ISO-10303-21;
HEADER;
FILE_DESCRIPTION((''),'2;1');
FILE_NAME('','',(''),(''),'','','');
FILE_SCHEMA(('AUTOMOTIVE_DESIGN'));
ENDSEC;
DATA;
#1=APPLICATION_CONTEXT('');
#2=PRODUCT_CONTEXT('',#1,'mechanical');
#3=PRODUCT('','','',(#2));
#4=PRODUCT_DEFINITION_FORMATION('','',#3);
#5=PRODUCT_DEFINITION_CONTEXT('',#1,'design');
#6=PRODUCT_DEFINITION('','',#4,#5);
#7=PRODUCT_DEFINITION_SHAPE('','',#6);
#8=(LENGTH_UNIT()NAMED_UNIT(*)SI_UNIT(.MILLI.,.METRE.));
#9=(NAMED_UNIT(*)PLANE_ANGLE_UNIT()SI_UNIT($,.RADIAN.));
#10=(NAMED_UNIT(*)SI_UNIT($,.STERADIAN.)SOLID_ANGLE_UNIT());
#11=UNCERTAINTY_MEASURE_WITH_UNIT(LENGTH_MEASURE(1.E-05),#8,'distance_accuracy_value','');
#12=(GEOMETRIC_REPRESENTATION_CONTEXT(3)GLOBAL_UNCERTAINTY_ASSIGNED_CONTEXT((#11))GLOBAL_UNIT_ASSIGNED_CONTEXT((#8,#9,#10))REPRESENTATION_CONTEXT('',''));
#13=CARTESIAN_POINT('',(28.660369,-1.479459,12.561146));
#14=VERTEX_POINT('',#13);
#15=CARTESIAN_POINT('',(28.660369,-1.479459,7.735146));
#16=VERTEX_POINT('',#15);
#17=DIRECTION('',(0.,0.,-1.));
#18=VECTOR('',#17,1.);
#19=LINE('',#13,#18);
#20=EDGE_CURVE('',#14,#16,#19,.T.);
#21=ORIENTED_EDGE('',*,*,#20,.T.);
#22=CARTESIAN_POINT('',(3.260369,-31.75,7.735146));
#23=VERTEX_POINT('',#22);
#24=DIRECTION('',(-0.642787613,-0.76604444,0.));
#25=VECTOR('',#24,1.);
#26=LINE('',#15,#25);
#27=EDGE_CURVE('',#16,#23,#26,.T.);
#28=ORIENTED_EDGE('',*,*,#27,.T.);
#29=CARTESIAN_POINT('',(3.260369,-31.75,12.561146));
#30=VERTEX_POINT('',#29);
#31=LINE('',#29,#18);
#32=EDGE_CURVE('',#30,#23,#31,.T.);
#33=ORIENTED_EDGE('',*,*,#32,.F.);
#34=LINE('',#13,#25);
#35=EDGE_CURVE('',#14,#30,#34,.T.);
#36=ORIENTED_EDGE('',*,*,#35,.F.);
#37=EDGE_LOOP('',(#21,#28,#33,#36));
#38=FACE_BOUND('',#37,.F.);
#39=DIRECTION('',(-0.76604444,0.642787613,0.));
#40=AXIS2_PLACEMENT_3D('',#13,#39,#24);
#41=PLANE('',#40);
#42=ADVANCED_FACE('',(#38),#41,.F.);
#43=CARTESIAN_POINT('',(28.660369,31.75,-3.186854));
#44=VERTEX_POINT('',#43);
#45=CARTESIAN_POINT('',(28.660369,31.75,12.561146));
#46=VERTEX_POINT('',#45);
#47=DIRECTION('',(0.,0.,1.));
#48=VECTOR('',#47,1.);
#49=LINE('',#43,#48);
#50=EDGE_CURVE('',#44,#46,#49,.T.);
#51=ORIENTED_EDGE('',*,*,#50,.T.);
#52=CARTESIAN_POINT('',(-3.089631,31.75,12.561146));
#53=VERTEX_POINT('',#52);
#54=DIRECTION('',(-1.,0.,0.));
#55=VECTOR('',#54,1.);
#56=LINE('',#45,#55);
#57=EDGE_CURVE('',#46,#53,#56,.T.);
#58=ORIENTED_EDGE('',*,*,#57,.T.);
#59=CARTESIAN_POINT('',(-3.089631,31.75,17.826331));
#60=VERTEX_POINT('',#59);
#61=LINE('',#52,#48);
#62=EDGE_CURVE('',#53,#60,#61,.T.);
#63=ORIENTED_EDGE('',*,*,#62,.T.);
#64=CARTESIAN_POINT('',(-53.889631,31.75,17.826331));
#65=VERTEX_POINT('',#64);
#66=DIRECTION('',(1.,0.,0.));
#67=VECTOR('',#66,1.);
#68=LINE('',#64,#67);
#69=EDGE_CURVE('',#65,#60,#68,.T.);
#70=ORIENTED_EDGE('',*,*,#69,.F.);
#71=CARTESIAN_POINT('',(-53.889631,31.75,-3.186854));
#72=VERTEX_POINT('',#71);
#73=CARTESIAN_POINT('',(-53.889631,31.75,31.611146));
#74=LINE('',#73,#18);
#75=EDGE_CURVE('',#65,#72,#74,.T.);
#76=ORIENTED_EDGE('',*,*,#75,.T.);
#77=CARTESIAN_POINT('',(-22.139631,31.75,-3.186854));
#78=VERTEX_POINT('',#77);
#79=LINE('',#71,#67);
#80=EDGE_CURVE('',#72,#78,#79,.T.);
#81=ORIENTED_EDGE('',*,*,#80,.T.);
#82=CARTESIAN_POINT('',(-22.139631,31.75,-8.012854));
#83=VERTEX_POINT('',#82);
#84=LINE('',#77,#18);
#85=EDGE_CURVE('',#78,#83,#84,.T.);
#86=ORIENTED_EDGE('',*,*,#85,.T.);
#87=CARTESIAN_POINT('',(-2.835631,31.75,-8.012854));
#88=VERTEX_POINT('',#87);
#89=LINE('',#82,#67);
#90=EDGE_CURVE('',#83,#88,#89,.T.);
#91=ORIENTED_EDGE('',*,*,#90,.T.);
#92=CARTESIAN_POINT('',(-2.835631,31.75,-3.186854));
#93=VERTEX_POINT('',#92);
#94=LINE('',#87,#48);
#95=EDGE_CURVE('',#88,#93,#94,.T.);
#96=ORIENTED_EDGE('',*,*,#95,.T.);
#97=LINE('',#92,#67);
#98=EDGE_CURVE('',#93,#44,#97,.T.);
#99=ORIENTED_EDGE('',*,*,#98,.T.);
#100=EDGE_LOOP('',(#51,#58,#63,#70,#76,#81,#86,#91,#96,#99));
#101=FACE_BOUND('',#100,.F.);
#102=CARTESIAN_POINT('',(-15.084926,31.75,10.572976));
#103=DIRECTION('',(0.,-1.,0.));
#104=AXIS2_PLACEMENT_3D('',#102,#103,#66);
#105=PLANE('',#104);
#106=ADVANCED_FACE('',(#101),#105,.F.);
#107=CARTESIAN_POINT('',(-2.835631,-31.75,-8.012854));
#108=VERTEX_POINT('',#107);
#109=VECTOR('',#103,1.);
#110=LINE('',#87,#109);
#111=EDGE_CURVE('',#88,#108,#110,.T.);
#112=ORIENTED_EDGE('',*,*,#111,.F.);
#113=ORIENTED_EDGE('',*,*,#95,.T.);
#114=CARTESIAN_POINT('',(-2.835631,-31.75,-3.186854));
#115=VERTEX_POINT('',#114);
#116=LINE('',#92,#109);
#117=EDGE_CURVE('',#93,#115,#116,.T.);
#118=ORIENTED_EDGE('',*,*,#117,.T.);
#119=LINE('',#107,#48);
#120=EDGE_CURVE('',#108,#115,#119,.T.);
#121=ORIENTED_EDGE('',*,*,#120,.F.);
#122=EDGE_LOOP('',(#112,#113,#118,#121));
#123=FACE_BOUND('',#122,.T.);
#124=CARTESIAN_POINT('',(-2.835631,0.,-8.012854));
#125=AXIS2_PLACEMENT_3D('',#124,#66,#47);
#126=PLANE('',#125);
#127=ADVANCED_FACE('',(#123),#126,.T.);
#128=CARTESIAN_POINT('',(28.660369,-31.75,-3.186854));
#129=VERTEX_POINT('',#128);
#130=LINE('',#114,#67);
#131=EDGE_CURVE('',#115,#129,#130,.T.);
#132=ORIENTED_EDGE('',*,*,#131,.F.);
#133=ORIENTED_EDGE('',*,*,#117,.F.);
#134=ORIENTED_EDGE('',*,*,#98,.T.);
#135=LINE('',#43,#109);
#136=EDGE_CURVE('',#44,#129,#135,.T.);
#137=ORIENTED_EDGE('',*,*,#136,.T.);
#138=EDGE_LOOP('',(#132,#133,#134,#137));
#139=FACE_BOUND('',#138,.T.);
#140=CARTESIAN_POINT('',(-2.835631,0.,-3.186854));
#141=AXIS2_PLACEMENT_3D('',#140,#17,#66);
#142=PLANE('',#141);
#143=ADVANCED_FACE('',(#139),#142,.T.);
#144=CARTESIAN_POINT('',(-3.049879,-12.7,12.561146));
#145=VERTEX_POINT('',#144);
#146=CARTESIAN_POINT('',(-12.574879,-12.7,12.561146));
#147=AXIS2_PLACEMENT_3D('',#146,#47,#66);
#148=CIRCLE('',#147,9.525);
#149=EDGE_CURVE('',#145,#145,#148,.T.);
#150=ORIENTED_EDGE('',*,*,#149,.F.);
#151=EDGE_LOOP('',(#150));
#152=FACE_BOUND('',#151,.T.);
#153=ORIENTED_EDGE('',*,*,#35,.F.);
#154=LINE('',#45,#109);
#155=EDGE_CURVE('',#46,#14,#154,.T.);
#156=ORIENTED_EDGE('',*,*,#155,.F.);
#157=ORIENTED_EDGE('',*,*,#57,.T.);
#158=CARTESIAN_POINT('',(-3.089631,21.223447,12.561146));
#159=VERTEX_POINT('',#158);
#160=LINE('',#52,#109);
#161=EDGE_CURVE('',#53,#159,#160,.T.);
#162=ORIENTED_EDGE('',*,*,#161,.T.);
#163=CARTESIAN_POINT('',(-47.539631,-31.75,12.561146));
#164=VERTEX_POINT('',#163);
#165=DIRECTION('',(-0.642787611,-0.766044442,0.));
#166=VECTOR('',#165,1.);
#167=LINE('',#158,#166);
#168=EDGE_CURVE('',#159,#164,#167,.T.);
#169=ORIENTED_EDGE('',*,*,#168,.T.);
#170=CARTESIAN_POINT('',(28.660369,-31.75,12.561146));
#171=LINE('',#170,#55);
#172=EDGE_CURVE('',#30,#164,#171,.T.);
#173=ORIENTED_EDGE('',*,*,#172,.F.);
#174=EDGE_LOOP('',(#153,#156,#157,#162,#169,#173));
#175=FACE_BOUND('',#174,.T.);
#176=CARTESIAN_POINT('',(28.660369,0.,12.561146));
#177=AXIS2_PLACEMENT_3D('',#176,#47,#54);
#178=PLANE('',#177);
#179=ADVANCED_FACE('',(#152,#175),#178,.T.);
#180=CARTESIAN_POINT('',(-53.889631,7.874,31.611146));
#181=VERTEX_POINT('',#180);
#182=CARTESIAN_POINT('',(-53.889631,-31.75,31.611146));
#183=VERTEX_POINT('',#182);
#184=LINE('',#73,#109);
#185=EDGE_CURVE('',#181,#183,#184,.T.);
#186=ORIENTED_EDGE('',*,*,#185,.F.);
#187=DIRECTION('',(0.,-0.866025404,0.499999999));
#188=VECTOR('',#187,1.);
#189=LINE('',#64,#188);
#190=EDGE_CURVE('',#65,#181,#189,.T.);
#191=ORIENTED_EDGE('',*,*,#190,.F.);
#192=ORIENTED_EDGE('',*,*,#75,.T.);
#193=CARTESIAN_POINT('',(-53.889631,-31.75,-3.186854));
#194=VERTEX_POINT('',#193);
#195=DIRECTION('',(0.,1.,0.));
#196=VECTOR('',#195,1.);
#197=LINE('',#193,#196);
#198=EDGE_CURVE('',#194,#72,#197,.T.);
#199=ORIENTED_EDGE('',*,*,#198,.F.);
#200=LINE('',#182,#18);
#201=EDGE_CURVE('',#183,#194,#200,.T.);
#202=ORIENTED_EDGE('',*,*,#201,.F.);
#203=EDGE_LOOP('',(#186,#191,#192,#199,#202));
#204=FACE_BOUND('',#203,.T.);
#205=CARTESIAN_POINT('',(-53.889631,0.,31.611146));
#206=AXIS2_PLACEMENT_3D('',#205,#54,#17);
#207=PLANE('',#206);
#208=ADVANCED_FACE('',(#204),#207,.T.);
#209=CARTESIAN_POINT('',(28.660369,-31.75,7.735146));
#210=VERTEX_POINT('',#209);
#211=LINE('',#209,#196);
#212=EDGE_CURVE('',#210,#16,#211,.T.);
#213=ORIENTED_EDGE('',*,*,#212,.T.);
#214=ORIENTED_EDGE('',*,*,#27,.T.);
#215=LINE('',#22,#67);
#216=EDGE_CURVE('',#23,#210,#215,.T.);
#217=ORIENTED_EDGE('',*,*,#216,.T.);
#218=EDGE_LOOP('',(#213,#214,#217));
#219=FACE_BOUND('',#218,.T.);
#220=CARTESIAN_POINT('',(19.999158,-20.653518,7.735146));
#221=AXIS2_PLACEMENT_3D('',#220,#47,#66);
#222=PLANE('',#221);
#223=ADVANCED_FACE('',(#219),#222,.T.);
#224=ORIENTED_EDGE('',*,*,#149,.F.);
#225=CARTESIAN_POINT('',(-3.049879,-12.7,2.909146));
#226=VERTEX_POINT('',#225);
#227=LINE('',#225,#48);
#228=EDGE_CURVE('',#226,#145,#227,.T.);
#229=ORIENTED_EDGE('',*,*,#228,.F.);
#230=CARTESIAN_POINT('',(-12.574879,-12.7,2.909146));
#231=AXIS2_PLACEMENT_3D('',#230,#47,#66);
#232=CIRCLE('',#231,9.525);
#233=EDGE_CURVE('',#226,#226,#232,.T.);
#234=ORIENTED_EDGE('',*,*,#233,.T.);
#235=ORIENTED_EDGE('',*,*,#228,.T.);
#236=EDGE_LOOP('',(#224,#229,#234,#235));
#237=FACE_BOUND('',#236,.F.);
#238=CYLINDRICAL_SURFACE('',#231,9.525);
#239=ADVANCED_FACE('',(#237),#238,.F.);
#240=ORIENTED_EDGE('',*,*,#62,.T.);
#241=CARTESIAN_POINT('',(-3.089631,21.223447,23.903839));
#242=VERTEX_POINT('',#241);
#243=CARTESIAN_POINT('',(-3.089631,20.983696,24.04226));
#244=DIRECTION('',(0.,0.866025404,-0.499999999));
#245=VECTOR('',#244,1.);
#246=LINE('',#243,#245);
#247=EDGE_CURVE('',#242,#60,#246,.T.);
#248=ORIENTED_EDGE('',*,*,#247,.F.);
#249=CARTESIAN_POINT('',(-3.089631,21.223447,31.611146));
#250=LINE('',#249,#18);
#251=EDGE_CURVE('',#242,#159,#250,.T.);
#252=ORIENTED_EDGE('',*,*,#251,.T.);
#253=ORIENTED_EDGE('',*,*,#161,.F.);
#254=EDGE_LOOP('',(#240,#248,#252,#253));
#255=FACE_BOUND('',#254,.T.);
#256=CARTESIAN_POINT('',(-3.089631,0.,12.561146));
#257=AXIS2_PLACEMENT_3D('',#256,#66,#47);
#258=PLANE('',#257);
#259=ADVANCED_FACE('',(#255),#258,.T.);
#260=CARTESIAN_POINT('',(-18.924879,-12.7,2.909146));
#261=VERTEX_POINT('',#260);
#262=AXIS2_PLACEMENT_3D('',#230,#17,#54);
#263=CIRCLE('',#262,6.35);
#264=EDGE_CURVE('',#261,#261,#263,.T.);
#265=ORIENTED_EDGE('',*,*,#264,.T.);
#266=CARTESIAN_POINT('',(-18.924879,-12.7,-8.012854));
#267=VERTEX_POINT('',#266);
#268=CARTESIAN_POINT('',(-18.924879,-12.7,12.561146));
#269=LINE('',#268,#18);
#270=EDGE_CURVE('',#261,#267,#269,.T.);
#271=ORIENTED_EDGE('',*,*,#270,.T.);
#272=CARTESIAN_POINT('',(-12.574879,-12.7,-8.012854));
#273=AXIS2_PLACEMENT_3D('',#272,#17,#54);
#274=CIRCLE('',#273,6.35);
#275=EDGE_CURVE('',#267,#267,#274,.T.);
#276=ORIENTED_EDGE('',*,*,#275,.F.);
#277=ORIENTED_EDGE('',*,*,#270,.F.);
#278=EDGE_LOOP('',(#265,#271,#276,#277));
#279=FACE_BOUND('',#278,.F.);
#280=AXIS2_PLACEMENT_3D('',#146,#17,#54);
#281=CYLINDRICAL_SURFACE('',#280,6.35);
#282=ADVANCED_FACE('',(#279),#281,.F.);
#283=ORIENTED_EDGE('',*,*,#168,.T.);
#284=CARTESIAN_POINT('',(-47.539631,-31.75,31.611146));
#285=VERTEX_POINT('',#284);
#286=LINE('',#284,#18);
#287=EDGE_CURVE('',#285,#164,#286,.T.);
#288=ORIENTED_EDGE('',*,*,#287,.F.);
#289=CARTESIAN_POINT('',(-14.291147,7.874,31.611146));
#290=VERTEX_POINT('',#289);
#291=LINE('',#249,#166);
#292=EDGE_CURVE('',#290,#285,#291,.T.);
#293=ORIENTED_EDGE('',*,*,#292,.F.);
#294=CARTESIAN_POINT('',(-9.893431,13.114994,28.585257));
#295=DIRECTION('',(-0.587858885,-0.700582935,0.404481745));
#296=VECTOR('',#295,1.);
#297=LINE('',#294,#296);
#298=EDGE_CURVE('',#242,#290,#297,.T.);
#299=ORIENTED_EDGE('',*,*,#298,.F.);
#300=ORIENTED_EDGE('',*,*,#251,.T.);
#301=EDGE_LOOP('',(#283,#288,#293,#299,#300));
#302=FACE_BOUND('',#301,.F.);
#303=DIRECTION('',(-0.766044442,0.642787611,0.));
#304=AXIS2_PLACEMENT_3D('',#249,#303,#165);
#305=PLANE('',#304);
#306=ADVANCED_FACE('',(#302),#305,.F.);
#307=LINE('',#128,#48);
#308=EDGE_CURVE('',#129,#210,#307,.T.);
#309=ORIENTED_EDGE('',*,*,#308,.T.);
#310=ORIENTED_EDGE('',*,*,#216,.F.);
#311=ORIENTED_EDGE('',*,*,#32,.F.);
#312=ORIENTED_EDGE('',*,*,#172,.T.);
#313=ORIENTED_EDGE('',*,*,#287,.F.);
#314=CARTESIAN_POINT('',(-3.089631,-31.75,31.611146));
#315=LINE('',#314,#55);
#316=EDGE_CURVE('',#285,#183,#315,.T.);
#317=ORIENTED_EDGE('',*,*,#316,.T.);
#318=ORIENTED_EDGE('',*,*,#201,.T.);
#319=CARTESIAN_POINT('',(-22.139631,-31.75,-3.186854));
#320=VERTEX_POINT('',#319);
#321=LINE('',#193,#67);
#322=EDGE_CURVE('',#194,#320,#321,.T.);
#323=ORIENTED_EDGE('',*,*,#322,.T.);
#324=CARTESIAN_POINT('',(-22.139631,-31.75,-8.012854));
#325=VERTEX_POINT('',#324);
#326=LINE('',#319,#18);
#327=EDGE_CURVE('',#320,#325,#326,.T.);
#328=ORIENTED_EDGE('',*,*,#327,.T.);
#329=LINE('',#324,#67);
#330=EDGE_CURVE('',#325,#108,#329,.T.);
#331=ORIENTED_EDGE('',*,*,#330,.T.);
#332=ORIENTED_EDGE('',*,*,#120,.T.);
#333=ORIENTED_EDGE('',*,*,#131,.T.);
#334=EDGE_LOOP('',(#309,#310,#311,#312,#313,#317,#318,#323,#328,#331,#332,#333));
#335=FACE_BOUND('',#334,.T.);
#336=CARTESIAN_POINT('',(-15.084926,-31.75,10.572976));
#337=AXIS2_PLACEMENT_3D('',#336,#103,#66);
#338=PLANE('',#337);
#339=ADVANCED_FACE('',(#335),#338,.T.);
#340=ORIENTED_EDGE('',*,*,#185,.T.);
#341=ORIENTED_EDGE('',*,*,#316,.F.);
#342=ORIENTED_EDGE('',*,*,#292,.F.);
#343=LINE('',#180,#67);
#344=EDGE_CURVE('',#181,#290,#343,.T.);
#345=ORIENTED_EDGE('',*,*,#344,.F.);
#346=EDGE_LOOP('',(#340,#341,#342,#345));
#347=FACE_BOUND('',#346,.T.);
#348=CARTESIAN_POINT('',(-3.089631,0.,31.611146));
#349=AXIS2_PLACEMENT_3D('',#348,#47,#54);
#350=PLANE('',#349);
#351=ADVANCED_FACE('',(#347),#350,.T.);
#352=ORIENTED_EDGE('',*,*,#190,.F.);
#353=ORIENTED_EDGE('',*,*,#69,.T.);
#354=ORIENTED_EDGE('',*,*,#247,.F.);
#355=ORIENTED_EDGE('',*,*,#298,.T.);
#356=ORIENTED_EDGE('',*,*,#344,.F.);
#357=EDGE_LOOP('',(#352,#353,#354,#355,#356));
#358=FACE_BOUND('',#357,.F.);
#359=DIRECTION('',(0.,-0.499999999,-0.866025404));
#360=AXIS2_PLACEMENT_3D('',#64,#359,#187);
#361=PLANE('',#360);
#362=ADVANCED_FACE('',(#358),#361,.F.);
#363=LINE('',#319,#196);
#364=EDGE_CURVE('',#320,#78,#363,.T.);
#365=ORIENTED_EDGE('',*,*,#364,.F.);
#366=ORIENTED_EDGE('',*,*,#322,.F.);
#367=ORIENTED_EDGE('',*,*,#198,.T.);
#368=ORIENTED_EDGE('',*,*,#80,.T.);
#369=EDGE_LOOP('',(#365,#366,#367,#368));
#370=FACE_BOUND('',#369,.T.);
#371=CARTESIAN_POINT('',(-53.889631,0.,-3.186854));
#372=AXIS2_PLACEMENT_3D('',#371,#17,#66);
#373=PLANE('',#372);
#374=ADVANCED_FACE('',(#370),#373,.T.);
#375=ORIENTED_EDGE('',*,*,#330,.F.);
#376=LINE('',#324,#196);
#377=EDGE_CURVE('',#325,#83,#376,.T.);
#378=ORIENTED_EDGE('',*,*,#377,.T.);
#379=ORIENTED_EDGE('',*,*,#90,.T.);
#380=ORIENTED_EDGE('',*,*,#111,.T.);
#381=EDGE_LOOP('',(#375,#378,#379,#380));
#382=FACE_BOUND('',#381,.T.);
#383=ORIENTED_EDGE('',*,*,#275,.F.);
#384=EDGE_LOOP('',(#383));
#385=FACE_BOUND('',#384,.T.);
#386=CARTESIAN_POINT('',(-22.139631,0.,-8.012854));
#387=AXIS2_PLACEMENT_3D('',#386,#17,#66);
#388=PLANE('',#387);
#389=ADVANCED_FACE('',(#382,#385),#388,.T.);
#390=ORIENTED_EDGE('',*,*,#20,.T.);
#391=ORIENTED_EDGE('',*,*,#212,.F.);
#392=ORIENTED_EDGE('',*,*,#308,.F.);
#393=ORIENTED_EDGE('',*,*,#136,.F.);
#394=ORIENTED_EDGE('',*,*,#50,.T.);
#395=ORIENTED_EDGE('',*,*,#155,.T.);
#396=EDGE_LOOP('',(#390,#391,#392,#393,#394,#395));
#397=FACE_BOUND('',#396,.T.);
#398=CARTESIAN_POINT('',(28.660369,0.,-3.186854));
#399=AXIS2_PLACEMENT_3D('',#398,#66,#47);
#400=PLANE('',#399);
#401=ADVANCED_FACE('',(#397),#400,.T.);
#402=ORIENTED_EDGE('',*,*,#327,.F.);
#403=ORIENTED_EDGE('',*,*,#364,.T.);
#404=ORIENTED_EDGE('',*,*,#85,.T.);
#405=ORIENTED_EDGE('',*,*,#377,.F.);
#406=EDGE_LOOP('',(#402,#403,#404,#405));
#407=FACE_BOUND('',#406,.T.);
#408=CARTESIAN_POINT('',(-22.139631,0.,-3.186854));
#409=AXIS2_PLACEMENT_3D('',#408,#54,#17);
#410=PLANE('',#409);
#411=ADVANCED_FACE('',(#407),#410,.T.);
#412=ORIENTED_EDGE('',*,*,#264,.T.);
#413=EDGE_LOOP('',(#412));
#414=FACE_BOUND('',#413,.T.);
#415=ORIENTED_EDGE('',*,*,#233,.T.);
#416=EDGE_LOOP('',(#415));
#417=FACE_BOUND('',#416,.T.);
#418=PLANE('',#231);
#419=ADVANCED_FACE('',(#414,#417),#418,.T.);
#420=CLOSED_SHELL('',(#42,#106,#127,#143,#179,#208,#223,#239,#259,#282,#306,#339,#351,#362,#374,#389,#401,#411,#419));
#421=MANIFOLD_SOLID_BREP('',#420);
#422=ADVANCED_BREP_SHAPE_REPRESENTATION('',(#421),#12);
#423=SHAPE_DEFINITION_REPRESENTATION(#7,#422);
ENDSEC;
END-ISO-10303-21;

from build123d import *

# Parameters (mm, degrees)
F1_DEPTH       = 31.75
F3_DEPTH       = 19.05
F5_DEPTH       = 4.826
F7_DEPTH       = 52.4256
F9_D           = 12.7
F9_CBORE_D     = 19.05
F9_CBORE_DEPTH = 9.652


with BuildPart() as f1:
    # F0 (on Front) → F1 (new body, symmetric)
    with BuildSketch(Plane.XZ):
        Polygon((-22.139631, -8.012854), (-2.835631, -8.012854), (-2.835631, -3.186854), (28.660369, -3.186854), (28.660369, 12.561146), (-3.089631, 12.561146), (-3.089631, 31.611146), (-53.889631, 31.611146), (-53.889631, -3.186854), (-22.139631, -3.186854), align=None)
    extrude(amount=F1_DEPTH, both=True)

    # F2 (on face) → F3 (cut)
    with BuildSketch(Plane.XY.offset(31.611146)):
        Polygon((-3.089631, 21.223447), (-47.539631, -31.75), (-3.089631, -31.75), align=None)
    extrude(amount=-F3_DEPTH, mode=Mode.SUBTRACT)

    # F4 (on face) → F5 (cut)
    with BuildSketch(Plane.XY.offset(12.561146)):
        Polygon((3.260369, -31.75), (28.660369, -31.75), (28.660369, -1.479459), align=None)
    extrude(amount=-F5_DEPTH, mode=Mode.SUBTRACT)

    # F6 (on face) → F7 (cut)
    with BuildSketch(Plane(origin=(-53.889631, 0, 0), x_dir=(0, -1, 0), z_dir=(-1, 0, 0))):
        Polygon((-31.75, 17.826331), (-7.874, 31.611146), (-31.75, 31.611146), align=None)
    extrude(amount=-F7_DEPTH, mode=Mode.SUBTRACT)

    # F9 (through all)
    with Locations(Plane.XY.offset(12.561146)):
        with Locations((-12.574879, -12.7)):
            CounterBoreHole(F9_D / 2, F9_CBORE_D / 2, F9_CBORE_DEPTH)


solid = f1.part
